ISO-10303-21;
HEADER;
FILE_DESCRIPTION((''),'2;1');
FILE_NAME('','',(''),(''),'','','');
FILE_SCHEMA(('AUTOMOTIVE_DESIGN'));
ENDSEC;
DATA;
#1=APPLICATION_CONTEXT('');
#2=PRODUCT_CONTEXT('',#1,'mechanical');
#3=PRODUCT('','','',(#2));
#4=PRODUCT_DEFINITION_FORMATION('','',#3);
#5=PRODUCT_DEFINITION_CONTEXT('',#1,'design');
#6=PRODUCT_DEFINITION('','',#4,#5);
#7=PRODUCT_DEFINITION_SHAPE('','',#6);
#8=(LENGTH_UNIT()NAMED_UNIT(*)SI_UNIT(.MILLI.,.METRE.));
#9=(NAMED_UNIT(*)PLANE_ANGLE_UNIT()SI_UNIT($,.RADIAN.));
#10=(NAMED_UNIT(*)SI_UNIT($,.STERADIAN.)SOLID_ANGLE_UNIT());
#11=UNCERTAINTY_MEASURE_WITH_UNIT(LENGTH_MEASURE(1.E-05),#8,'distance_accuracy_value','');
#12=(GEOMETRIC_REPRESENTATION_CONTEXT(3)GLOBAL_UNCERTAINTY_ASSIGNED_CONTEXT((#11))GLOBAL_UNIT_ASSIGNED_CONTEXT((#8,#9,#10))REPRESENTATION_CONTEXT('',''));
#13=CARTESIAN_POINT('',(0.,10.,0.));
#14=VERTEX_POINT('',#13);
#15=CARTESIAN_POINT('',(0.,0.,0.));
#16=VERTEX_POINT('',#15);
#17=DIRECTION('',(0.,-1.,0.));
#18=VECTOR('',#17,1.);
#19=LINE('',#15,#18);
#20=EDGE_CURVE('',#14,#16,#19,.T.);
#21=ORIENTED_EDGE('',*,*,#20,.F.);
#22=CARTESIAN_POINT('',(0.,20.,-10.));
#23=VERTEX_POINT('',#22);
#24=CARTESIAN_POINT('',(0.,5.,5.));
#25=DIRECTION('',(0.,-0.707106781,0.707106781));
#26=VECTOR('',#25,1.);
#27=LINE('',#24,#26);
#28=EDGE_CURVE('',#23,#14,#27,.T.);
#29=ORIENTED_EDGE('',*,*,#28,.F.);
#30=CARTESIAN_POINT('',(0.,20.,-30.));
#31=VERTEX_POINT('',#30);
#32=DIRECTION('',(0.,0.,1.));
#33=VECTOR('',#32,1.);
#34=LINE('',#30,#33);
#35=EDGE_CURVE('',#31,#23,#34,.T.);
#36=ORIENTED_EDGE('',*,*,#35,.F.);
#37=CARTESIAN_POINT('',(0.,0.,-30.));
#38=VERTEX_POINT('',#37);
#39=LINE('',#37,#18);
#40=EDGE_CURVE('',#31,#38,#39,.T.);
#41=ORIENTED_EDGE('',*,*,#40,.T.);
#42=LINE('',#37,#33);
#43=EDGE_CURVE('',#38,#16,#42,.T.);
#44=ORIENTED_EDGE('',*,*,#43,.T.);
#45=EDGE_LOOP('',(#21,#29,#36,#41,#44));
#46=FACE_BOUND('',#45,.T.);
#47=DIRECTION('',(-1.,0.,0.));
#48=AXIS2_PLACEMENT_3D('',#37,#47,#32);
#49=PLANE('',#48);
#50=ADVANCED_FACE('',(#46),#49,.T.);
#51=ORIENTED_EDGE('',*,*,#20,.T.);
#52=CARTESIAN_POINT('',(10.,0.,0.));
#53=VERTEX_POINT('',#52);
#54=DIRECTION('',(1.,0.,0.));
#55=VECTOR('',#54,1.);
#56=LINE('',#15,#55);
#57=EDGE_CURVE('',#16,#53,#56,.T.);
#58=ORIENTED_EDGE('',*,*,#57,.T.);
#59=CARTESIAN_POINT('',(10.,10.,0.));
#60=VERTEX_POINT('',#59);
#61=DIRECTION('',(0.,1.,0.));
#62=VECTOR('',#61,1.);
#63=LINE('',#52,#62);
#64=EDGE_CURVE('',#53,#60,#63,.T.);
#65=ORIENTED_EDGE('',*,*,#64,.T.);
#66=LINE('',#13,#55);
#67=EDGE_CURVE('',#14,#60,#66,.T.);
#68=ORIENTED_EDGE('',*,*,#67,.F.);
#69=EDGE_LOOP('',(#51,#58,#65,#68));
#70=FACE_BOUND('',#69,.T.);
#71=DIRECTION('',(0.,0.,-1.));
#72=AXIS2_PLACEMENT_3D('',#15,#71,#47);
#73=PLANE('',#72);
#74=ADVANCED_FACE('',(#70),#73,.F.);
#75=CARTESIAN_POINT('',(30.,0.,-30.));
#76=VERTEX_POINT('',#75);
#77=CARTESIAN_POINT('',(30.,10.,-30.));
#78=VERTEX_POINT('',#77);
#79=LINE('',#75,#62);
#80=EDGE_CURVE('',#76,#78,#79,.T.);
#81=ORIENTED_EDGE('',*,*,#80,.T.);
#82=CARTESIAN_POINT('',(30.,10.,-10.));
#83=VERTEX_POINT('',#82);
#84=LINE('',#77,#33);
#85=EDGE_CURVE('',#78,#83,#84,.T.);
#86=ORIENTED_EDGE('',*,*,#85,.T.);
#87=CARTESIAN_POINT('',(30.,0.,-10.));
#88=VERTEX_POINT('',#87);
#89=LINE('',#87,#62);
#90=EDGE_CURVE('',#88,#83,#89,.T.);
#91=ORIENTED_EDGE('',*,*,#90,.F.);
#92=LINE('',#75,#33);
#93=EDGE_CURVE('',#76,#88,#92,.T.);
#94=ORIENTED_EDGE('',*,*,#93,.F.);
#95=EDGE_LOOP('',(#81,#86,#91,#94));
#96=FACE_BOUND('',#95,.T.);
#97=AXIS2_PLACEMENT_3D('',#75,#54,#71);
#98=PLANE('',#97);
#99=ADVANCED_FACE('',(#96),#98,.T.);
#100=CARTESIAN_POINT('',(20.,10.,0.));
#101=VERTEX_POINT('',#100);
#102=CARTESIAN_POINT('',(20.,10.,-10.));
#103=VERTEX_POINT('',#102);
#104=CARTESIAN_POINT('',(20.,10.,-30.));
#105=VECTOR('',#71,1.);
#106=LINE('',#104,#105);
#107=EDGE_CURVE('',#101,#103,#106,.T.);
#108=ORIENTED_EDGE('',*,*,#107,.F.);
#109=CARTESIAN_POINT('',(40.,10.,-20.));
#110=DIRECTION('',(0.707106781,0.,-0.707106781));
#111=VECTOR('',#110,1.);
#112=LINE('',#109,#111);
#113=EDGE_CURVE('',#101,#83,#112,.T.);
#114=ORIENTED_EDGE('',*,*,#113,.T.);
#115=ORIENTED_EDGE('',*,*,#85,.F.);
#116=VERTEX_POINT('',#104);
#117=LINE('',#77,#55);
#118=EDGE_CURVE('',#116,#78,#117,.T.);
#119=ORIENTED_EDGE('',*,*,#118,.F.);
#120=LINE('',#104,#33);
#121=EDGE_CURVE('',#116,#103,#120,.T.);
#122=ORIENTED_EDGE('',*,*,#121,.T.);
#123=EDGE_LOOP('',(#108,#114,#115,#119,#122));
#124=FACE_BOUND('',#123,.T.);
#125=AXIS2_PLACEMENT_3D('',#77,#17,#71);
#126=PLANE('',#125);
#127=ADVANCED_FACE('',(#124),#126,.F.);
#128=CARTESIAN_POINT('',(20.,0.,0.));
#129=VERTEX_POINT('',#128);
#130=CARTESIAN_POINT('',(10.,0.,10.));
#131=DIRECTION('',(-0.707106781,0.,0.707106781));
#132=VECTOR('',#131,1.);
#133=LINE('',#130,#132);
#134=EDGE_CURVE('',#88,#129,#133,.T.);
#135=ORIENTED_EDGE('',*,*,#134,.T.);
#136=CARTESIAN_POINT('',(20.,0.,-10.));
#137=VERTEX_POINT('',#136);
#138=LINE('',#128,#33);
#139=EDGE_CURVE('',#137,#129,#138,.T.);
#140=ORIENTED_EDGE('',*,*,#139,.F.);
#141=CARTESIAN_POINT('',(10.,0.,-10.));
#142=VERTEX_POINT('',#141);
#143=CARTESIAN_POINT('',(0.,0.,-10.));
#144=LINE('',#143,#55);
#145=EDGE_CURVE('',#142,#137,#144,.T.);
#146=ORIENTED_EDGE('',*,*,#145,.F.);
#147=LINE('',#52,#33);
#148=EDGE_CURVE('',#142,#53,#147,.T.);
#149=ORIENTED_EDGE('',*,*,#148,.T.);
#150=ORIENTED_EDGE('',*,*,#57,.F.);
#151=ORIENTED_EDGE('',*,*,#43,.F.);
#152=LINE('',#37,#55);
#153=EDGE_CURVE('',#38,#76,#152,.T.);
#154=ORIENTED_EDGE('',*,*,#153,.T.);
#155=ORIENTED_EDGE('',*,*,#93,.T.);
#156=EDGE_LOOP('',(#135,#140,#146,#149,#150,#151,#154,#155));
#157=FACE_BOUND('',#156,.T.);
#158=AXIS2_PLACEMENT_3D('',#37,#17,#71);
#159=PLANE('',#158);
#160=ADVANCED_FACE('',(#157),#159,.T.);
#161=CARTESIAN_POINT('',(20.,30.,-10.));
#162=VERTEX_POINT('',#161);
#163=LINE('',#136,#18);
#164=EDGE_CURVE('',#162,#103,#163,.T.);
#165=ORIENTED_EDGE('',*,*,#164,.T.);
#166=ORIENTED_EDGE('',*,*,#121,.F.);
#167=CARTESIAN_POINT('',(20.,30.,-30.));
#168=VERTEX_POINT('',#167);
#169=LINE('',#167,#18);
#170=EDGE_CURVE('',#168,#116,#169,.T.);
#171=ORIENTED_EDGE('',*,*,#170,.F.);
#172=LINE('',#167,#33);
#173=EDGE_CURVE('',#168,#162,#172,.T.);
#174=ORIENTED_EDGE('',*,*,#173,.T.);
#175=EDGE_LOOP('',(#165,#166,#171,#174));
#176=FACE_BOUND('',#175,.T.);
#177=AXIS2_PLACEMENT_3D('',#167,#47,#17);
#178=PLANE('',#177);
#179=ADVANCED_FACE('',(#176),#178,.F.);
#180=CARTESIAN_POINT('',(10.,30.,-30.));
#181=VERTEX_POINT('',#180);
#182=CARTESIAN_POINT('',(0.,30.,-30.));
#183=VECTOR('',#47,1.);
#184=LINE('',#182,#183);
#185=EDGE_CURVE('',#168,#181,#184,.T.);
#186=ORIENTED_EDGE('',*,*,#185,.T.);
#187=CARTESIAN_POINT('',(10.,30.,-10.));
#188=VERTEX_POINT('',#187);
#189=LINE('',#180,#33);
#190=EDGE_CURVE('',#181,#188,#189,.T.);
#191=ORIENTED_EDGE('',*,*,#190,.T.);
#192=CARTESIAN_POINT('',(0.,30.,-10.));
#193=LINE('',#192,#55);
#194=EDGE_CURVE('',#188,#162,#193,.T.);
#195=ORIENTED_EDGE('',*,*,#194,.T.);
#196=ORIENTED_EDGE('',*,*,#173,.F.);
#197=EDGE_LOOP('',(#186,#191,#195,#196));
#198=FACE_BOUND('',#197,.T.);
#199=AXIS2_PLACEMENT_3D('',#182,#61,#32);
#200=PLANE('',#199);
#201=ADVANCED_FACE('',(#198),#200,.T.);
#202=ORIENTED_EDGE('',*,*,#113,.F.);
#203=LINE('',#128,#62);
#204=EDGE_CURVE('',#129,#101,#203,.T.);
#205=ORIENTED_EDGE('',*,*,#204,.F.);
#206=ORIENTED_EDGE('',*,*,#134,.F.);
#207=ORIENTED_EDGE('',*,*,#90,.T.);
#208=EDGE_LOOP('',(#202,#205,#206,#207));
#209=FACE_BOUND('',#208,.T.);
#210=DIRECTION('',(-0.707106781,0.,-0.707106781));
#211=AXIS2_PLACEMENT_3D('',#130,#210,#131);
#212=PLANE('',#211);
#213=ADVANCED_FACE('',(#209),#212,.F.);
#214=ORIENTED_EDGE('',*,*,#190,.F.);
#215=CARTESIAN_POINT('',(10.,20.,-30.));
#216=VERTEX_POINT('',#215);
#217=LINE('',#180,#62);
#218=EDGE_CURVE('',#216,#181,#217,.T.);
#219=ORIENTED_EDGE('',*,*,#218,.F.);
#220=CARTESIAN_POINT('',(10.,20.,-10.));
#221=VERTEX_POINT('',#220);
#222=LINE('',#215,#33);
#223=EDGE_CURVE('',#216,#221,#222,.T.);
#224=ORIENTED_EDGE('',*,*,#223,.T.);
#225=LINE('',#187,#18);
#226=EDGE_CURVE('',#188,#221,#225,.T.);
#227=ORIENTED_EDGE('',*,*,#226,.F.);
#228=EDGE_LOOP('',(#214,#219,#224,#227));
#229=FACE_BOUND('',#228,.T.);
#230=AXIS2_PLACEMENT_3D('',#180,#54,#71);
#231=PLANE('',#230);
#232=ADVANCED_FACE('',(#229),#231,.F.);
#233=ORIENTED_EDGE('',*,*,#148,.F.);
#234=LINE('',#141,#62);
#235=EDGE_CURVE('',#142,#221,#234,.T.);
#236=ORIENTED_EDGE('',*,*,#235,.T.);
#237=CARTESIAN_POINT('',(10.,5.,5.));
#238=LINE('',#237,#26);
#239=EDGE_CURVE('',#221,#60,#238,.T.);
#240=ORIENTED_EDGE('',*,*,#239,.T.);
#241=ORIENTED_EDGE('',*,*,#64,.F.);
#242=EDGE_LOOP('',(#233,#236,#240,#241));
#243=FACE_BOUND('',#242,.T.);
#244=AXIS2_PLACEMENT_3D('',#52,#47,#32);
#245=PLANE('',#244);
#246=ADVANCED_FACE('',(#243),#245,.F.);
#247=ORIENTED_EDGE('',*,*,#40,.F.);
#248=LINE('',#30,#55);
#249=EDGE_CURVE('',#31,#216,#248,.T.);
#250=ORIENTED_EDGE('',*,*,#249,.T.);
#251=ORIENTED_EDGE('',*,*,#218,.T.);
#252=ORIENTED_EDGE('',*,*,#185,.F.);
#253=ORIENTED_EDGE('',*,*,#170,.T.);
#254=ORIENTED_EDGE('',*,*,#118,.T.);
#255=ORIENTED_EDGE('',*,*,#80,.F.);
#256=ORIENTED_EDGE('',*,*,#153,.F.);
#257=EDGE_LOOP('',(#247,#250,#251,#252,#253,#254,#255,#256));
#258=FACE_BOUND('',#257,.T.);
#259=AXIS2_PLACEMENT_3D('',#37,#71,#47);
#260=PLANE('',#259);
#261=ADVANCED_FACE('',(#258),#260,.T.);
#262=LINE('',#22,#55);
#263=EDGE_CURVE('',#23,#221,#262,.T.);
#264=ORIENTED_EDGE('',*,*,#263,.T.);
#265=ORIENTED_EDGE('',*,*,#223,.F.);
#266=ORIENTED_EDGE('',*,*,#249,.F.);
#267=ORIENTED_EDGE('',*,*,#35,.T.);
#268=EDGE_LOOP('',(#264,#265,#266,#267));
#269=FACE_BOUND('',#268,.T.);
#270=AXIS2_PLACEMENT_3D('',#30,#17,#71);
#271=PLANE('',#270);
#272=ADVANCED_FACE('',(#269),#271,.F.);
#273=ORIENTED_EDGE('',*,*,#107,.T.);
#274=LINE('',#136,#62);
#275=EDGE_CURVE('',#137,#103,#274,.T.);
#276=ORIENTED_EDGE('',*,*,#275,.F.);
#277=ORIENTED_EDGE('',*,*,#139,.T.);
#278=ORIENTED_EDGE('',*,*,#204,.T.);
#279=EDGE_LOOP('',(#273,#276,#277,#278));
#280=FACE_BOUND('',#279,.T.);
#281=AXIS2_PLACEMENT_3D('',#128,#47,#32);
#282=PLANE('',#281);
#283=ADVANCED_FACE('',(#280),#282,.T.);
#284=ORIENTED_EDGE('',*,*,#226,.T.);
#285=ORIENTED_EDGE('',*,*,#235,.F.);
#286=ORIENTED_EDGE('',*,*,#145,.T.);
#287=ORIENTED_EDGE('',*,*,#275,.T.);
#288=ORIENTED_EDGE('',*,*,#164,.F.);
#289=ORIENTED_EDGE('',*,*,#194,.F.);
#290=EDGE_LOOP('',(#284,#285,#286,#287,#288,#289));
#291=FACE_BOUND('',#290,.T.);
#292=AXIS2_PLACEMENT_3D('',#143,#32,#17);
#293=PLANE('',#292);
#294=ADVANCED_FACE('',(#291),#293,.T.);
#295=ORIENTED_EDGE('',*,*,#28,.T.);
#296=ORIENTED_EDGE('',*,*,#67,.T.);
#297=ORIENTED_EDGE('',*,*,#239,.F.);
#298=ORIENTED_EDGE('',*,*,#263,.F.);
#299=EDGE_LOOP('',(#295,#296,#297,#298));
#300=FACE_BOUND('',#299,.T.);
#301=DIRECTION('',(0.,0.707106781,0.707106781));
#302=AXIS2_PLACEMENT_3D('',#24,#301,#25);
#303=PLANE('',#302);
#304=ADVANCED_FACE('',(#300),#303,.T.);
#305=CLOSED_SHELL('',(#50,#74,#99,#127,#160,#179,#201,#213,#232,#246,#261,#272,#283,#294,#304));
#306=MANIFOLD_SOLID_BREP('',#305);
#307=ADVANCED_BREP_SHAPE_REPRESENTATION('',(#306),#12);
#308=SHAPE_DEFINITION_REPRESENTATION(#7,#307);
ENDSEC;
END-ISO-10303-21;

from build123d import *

# Parameters (mm, degrees)
SKETCH_1_W           = 30
SKETCH_1_H           = 30
EXTRUDE_1_DEPTH      = 30
SKETCH_30_W          = 10
SKETCH_30_H          = 10
SKETCH_30_H_2        = 20
CUT_EXTRUDE_20_DEPTH = 52.961524227
SKETCH_32_W          = 10
SKETCH_32_H          = 10
CUT_EXTRUDE_21_DEPTH = 47.904157598
SKETCH_33_W          = 10
SKETCH_33_H          = 10
CUT_EXTRUDE_22_DEPTH = 52.961524227


with BuildPart() as part:
    # 草圖1 → 填料-伸1 (new body)
    with BuildSketch(Plane.XY):
        with Locations((15, 15)):
            Rectangle(SKETCH_1_W, SKETCH_1_H)
    extrude(amount=-EXTRUDE_1_DEPTH)

    # 草圖30 → 除料-伸長20 (cut, through all)
    with BuildSketch(Plane.XY):
        with Locations((5, 25)):
            Rectangle(SKETCH_30_W, SKETCH_30_H)
        with Locations((25, 20)):
            Rectangle(SKETCH_30_W, SKETCH_30_H_2)
    extrude(amount=-CUT_EXTRUDE_20_DEPTH, mode=Mode.SUBTRACT)

    # 草圖32 → 除料-伸長21 (cut, through all)
    with BuildSketch(Plane(origin=(20, 0, 0), x_dir=(0, 0, -1), z_dir=(1, 0, 0))):
        with Locations((5, 25)):
            Rectangle(SKETCH_32_W, SKETCH_32_H)
        Polygon((0, 10), (10, 20), (0, 20), align=None)
    extrude(amount=-CUT_EXTRUDE_21_DEPTH, mode=Mode.SUBTRACT)

    # 草圖33 → 除料-伸長22 (cut, through all)
    with BuildSketch(Plane(origin=(0, 30, 0), x_dir=(1, 0, 0), z_dir=(0, 1, 0))):
        with Locations((15, 5)):
            Rectangle(SKETCH_33_W, SKETCH_33_H)
        Polygon((30, 10), (20, 0), (30, 0), align=None)
    extrude(amount=-CUT_EXTRUDE_22_DEPTH, mode=Mode.SUBTRACT)


solid = part.part
